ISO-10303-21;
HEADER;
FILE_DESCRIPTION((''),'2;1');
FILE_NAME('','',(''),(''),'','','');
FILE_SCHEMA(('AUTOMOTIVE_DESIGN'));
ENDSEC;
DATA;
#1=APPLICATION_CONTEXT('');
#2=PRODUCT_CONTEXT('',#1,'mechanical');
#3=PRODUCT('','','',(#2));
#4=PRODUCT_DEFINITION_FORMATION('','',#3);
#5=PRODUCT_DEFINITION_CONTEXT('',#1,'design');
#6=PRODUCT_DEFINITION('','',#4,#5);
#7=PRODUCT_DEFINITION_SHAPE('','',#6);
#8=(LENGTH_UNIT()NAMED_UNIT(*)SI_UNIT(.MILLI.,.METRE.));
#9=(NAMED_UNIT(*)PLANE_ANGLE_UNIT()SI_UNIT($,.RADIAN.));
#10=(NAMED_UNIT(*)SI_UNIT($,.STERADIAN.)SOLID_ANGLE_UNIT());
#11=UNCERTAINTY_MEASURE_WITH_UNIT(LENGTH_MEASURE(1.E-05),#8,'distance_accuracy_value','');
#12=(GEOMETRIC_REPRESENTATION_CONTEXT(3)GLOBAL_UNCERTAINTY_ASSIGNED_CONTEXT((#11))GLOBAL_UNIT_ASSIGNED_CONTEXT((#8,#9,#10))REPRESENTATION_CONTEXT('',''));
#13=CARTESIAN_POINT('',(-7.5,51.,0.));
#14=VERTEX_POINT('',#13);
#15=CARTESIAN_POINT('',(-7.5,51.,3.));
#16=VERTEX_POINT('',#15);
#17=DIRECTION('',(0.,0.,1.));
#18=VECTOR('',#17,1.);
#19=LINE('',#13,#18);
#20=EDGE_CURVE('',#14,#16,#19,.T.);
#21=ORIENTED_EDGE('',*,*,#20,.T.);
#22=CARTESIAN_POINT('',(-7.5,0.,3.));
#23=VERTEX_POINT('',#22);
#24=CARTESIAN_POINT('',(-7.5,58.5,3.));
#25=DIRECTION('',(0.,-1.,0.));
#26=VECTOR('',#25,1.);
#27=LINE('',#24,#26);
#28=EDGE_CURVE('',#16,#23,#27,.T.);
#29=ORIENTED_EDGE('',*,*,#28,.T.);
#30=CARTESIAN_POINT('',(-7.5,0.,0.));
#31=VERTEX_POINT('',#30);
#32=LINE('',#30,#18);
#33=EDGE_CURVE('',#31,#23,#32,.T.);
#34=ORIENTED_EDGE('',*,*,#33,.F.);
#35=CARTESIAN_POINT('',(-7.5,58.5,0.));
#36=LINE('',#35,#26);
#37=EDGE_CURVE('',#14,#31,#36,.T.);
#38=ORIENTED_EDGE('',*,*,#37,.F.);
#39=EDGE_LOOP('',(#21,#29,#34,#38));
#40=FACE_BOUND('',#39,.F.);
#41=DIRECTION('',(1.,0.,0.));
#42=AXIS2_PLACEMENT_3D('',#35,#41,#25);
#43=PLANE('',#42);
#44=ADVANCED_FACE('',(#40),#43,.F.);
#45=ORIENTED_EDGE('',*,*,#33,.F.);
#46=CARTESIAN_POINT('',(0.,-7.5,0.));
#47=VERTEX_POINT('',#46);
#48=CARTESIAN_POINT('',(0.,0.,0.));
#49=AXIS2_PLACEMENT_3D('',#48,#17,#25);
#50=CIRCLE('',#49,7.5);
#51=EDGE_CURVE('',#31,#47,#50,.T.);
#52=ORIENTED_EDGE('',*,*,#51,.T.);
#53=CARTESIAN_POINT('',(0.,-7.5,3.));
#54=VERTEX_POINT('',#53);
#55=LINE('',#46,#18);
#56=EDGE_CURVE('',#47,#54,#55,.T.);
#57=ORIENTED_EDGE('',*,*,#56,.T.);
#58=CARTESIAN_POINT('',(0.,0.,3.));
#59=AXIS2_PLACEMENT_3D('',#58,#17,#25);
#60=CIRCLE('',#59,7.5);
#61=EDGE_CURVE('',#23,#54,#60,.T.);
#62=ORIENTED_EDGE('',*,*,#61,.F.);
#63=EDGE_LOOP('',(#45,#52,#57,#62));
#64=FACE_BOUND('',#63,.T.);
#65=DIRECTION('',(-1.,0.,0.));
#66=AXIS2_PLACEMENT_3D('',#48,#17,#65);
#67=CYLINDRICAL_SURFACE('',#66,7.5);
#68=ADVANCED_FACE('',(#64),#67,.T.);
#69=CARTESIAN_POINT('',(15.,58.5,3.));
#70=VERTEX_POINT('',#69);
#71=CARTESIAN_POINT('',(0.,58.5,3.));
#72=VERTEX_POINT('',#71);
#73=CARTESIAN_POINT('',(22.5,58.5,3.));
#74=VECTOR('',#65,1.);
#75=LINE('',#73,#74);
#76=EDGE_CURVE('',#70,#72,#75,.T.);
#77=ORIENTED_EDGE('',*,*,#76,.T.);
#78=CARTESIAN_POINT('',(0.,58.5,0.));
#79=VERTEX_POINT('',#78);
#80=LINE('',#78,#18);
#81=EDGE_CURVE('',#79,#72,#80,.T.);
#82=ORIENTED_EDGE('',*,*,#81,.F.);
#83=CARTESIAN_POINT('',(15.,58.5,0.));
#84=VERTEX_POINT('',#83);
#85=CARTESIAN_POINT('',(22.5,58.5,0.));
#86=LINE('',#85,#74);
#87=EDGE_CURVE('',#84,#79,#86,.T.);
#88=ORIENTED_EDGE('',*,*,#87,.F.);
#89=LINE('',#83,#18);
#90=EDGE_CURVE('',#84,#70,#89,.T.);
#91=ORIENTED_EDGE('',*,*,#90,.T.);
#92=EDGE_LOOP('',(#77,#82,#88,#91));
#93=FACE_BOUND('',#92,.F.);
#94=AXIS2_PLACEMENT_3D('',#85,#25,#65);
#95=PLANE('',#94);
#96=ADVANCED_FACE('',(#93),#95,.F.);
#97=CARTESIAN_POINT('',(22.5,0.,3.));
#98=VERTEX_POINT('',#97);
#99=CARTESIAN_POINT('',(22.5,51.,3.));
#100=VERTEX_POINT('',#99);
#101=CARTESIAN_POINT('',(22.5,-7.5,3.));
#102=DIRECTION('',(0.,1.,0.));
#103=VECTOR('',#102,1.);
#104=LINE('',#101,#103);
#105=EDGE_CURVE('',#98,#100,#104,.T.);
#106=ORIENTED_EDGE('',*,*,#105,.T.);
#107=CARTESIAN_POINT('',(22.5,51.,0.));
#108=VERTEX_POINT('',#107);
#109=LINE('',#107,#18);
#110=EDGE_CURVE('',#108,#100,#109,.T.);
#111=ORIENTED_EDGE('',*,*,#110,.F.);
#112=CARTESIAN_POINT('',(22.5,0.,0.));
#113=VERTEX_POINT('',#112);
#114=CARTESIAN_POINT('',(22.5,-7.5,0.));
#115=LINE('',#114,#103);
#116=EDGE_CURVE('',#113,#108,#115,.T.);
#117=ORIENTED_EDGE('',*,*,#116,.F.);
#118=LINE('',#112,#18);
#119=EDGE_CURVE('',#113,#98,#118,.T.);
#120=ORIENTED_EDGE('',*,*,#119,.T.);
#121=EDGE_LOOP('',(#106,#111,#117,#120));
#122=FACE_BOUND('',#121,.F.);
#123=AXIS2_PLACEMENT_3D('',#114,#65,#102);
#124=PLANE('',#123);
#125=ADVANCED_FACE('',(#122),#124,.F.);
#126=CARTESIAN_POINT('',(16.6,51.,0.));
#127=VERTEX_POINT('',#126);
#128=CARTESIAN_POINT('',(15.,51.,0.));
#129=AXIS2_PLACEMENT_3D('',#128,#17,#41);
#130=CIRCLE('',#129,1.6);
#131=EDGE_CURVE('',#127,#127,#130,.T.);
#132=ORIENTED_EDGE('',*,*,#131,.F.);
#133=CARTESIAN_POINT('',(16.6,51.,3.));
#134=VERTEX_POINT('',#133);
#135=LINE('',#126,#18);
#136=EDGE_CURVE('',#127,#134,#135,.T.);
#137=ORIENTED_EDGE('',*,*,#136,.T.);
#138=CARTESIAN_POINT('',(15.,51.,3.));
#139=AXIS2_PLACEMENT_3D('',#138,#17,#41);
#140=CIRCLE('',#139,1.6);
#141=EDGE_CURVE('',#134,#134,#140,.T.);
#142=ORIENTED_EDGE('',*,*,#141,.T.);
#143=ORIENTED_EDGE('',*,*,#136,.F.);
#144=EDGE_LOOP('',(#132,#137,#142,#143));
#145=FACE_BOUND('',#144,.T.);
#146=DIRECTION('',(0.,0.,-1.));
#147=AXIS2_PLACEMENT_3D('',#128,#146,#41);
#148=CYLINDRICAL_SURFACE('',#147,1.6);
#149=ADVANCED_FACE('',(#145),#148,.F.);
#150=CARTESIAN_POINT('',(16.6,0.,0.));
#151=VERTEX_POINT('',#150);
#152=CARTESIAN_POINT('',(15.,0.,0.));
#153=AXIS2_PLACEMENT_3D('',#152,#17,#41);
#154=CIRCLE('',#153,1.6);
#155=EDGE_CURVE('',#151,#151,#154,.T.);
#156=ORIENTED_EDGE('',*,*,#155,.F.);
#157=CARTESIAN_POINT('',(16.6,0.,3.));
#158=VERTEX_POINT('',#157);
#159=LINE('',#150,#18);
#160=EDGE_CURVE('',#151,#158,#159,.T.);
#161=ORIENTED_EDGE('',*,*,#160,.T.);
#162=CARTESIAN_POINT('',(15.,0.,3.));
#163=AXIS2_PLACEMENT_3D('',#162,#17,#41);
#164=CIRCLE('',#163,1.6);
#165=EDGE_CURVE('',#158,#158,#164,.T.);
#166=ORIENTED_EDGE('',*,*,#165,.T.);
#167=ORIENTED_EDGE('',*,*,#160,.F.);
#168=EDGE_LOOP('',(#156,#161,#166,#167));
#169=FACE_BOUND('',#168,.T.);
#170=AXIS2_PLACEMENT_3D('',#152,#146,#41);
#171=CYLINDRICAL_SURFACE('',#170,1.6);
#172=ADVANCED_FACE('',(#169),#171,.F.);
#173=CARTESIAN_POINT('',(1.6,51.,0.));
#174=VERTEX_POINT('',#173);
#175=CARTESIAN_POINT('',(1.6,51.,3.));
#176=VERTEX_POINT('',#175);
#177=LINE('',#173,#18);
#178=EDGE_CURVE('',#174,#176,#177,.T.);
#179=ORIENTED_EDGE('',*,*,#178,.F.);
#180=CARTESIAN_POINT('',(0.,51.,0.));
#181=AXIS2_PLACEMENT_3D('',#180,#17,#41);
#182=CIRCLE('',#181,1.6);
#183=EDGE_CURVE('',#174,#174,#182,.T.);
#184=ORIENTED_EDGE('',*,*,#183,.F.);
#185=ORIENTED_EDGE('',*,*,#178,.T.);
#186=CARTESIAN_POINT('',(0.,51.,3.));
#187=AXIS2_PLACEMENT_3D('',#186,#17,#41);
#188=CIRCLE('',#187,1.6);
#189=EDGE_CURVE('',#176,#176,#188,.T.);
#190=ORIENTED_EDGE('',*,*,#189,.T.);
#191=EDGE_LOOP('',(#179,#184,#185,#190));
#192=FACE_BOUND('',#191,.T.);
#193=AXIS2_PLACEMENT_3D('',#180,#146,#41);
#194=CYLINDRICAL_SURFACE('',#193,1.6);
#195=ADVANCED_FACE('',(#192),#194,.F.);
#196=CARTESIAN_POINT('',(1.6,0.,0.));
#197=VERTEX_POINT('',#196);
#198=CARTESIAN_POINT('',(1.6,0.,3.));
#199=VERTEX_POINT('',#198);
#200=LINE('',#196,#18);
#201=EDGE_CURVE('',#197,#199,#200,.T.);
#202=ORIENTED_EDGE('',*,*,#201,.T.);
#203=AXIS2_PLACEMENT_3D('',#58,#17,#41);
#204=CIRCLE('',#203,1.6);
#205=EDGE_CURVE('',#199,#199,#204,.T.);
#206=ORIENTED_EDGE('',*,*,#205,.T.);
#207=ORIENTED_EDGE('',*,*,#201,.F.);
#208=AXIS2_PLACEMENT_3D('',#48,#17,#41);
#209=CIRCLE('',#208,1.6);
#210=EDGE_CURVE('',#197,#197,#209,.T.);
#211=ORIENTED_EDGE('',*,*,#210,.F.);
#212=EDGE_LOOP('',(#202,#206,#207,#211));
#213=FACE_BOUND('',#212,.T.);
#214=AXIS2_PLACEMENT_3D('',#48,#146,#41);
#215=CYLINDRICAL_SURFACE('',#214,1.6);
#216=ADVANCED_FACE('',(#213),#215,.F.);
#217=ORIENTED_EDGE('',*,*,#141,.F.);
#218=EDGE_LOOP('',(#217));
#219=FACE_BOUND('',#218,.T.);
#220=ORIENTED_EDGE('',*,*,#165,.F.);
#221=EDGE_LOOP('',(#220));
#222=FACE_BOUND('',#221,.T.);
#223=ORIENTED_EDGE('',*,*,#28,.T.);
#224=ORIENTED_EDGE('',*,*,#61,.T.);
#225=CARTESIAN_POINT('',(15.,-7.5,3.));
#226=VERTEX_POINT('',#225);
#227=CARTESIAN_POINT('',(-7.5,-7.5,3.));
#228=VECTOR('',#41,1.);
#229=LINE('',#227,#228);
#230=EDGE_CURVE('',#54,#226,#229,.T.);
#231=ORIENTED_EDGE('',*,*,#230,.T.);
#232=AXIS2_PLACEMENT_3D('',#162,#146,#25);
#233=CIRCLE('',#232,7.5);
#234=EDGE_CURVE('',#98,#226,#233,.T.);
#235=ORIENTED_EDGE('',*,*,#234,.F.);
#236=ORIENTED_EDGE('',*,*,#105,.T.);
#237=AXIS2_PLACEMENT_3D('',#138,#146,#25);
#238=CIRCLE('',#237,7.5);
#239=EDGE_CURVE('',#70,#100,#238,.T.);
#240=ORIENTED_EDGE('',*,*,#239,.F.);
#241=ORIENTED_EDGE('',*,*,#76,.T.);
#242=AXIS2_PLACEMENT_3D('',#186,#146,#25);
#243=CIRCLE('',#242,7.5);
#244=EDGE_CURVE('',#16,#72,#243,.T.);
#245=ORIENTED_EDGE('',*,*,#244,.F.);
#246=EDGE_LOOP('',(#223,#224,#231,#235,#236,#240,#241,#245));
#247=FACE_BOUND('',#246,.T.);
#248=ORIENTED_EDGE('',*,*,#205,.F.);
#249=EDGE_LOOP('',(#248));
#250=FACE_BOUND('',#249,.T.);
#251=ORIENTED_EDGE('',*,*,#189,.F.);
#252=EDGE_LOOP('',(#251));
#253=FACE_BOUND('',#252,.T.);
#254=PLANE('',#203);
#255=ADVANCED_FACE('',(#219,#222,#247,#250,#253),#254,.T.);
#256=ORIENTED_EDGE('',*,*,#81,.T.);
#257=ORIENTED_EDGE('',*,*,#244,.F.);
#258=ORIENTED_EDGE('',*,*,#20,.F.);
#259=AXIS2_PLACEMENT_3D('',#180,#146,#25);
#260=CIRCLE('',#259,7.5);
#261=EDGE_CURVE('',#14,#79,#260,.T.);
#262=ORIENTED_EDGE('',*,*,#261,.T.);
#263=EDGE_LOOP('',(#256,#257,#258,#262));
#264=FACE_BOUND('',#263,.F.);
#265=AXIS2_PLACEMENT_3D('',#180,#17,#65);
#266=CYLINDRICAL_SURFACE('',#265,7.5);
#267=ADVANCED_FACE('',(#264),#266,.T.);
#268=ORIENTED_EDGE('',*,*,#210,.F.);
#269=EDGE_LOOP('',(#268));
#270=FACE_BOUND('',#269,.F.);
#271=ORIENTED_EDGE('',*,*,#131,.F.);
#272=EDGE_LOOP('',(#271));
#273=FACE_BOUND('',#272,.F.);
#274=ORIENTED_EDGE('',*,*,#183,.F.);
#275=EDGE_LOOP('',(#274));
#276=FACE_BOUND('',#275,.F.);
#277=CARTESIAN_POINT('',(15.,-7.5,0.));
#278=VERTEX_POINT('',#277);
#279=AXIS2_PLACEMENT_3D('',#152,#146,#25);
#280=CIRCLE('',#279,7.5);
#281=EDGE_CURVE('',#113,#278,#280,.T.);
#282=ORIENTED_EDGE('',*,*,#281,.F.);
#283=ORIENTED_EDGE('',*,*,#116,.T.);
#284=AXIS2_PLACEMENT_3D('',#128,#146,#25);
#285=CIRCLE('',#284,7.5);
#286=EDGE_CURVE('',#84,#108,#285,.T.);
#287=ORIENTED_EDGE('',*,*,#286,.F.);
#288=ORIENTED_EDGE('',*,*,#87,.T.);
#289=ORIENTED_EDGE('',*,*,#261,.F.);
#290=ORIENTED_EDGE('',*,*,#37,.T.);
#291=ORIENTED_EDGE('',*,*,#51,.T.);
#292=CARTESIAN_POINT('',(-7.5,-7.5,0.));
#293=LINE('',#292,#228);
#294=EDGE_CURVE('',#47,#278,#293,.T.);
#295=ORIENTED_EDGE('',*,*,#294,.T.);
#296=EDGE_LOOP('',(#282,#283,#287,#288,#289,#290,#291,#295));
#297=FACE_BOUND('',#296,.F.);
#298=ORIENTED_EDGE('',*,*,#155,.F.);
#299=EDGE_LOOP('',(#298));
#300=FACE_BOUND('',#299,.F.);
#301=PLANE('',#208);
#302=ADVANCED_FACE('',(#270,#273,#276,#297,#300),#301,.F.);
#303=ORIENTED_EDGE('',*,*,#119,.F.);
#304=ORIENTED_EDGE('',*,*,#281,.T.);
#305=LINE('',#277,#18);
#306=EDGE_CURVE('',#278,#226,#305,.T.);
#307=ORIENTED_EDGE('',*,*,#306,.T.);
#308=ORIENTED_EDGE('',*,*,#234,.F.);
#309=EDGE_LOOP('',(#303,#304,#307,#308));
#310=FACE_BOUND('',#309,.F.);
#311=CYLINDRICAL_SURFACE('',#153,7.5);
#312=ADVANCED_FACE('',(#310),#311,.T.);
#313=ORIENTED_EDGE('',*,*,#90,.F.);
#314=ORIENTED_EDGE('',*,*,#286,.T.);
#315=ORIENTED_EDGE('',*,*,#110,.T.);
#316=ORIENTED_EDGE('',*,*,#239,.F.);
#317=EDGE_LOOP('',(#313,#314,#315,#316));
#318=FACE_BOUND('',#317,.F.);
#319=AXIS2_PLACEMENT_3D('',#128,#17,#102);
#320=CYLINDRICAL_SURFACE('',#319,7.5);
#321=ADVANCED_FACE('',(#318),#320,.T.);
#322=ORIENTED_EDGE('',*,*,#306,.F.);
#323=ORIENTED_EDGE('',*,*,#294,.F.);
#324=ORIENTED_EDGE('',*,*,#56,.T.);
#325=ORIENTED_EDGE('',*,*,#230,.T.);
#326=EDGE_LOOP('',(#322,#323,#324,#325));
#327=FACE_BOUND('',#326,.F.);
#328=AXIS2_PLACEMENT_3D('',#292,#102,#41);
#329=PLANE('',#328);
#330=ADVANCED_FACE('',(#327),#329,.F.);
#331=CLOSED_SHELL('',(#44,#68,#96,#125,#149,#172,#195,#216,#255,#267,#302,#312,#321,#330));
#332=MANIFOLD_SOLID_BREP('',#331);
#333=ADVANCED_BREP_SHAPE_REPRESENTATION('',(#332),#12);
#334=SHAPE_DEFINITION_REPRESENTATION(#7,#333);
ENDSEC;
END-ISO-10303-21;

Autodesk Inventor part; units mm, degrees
ref_plane "YZ Plane" through (0, 0, 0) normal (1, 0, 0) x (0, 1, 0)
ref_plane "XZ Plane" through (0, 0, 0) normal (0, 1, 0) x (-1, 0, 0)
ref_plane "XY Plane" through (0, 0, 0) normal (0, 0, 1) x (1, 0, 0)
sketch "スケッチ1" plane through (0, 0, 0) normal (0, 0, 1) x (1, 0, 0)
  circle A0 centre (0, 0) radius 1.6
  circle A1 centre (15, 0) radius 1.6
  circle A2 centre (0, 51) radius 1.6
  circle A3 centre (15, 51) radius 1.6
  line L0 (-7.5, -7.5) -> (22.5, -7.5)
  line L1 (22.5, -7.5) -> (22.5, 58.5)
  line L2 (22.5, 58.5) -> (-7.5, 58.5)
  line L3 (-7.5, 58.5) -> (-7.5, -7.5)
  dimension "d0" = 3.2
  dimension "d1" = 3.2
  dimension "d2" = 3.2
  dimension "d3" = 3.2
  dimension "d4" = 15
  dimension "d5" = 51
  dimension "d6" = 7.5
  dimension "d7" = 7.5
  dimension "d8" = 7.5
  dimension "d9" = 7.5
extrude "押し出し1" add sketch "スケッチ1" along normal blind 3
fillet "フィレット1" radius 7.5 4 edges at (-7.5, 58.5, 1.5) (22.5, 58.5, 1.5) (22.5, -7.5, 1.5) (-7.5, -7.5, 1.5)
sketch "スケッチ2" plane through (0, 0, 3) normal (0, 0, 1) x (1, 0, 0)
  point P0 (0, 0)
properties part number "オムニ_固定具4" material "アルミニウム 6061"
